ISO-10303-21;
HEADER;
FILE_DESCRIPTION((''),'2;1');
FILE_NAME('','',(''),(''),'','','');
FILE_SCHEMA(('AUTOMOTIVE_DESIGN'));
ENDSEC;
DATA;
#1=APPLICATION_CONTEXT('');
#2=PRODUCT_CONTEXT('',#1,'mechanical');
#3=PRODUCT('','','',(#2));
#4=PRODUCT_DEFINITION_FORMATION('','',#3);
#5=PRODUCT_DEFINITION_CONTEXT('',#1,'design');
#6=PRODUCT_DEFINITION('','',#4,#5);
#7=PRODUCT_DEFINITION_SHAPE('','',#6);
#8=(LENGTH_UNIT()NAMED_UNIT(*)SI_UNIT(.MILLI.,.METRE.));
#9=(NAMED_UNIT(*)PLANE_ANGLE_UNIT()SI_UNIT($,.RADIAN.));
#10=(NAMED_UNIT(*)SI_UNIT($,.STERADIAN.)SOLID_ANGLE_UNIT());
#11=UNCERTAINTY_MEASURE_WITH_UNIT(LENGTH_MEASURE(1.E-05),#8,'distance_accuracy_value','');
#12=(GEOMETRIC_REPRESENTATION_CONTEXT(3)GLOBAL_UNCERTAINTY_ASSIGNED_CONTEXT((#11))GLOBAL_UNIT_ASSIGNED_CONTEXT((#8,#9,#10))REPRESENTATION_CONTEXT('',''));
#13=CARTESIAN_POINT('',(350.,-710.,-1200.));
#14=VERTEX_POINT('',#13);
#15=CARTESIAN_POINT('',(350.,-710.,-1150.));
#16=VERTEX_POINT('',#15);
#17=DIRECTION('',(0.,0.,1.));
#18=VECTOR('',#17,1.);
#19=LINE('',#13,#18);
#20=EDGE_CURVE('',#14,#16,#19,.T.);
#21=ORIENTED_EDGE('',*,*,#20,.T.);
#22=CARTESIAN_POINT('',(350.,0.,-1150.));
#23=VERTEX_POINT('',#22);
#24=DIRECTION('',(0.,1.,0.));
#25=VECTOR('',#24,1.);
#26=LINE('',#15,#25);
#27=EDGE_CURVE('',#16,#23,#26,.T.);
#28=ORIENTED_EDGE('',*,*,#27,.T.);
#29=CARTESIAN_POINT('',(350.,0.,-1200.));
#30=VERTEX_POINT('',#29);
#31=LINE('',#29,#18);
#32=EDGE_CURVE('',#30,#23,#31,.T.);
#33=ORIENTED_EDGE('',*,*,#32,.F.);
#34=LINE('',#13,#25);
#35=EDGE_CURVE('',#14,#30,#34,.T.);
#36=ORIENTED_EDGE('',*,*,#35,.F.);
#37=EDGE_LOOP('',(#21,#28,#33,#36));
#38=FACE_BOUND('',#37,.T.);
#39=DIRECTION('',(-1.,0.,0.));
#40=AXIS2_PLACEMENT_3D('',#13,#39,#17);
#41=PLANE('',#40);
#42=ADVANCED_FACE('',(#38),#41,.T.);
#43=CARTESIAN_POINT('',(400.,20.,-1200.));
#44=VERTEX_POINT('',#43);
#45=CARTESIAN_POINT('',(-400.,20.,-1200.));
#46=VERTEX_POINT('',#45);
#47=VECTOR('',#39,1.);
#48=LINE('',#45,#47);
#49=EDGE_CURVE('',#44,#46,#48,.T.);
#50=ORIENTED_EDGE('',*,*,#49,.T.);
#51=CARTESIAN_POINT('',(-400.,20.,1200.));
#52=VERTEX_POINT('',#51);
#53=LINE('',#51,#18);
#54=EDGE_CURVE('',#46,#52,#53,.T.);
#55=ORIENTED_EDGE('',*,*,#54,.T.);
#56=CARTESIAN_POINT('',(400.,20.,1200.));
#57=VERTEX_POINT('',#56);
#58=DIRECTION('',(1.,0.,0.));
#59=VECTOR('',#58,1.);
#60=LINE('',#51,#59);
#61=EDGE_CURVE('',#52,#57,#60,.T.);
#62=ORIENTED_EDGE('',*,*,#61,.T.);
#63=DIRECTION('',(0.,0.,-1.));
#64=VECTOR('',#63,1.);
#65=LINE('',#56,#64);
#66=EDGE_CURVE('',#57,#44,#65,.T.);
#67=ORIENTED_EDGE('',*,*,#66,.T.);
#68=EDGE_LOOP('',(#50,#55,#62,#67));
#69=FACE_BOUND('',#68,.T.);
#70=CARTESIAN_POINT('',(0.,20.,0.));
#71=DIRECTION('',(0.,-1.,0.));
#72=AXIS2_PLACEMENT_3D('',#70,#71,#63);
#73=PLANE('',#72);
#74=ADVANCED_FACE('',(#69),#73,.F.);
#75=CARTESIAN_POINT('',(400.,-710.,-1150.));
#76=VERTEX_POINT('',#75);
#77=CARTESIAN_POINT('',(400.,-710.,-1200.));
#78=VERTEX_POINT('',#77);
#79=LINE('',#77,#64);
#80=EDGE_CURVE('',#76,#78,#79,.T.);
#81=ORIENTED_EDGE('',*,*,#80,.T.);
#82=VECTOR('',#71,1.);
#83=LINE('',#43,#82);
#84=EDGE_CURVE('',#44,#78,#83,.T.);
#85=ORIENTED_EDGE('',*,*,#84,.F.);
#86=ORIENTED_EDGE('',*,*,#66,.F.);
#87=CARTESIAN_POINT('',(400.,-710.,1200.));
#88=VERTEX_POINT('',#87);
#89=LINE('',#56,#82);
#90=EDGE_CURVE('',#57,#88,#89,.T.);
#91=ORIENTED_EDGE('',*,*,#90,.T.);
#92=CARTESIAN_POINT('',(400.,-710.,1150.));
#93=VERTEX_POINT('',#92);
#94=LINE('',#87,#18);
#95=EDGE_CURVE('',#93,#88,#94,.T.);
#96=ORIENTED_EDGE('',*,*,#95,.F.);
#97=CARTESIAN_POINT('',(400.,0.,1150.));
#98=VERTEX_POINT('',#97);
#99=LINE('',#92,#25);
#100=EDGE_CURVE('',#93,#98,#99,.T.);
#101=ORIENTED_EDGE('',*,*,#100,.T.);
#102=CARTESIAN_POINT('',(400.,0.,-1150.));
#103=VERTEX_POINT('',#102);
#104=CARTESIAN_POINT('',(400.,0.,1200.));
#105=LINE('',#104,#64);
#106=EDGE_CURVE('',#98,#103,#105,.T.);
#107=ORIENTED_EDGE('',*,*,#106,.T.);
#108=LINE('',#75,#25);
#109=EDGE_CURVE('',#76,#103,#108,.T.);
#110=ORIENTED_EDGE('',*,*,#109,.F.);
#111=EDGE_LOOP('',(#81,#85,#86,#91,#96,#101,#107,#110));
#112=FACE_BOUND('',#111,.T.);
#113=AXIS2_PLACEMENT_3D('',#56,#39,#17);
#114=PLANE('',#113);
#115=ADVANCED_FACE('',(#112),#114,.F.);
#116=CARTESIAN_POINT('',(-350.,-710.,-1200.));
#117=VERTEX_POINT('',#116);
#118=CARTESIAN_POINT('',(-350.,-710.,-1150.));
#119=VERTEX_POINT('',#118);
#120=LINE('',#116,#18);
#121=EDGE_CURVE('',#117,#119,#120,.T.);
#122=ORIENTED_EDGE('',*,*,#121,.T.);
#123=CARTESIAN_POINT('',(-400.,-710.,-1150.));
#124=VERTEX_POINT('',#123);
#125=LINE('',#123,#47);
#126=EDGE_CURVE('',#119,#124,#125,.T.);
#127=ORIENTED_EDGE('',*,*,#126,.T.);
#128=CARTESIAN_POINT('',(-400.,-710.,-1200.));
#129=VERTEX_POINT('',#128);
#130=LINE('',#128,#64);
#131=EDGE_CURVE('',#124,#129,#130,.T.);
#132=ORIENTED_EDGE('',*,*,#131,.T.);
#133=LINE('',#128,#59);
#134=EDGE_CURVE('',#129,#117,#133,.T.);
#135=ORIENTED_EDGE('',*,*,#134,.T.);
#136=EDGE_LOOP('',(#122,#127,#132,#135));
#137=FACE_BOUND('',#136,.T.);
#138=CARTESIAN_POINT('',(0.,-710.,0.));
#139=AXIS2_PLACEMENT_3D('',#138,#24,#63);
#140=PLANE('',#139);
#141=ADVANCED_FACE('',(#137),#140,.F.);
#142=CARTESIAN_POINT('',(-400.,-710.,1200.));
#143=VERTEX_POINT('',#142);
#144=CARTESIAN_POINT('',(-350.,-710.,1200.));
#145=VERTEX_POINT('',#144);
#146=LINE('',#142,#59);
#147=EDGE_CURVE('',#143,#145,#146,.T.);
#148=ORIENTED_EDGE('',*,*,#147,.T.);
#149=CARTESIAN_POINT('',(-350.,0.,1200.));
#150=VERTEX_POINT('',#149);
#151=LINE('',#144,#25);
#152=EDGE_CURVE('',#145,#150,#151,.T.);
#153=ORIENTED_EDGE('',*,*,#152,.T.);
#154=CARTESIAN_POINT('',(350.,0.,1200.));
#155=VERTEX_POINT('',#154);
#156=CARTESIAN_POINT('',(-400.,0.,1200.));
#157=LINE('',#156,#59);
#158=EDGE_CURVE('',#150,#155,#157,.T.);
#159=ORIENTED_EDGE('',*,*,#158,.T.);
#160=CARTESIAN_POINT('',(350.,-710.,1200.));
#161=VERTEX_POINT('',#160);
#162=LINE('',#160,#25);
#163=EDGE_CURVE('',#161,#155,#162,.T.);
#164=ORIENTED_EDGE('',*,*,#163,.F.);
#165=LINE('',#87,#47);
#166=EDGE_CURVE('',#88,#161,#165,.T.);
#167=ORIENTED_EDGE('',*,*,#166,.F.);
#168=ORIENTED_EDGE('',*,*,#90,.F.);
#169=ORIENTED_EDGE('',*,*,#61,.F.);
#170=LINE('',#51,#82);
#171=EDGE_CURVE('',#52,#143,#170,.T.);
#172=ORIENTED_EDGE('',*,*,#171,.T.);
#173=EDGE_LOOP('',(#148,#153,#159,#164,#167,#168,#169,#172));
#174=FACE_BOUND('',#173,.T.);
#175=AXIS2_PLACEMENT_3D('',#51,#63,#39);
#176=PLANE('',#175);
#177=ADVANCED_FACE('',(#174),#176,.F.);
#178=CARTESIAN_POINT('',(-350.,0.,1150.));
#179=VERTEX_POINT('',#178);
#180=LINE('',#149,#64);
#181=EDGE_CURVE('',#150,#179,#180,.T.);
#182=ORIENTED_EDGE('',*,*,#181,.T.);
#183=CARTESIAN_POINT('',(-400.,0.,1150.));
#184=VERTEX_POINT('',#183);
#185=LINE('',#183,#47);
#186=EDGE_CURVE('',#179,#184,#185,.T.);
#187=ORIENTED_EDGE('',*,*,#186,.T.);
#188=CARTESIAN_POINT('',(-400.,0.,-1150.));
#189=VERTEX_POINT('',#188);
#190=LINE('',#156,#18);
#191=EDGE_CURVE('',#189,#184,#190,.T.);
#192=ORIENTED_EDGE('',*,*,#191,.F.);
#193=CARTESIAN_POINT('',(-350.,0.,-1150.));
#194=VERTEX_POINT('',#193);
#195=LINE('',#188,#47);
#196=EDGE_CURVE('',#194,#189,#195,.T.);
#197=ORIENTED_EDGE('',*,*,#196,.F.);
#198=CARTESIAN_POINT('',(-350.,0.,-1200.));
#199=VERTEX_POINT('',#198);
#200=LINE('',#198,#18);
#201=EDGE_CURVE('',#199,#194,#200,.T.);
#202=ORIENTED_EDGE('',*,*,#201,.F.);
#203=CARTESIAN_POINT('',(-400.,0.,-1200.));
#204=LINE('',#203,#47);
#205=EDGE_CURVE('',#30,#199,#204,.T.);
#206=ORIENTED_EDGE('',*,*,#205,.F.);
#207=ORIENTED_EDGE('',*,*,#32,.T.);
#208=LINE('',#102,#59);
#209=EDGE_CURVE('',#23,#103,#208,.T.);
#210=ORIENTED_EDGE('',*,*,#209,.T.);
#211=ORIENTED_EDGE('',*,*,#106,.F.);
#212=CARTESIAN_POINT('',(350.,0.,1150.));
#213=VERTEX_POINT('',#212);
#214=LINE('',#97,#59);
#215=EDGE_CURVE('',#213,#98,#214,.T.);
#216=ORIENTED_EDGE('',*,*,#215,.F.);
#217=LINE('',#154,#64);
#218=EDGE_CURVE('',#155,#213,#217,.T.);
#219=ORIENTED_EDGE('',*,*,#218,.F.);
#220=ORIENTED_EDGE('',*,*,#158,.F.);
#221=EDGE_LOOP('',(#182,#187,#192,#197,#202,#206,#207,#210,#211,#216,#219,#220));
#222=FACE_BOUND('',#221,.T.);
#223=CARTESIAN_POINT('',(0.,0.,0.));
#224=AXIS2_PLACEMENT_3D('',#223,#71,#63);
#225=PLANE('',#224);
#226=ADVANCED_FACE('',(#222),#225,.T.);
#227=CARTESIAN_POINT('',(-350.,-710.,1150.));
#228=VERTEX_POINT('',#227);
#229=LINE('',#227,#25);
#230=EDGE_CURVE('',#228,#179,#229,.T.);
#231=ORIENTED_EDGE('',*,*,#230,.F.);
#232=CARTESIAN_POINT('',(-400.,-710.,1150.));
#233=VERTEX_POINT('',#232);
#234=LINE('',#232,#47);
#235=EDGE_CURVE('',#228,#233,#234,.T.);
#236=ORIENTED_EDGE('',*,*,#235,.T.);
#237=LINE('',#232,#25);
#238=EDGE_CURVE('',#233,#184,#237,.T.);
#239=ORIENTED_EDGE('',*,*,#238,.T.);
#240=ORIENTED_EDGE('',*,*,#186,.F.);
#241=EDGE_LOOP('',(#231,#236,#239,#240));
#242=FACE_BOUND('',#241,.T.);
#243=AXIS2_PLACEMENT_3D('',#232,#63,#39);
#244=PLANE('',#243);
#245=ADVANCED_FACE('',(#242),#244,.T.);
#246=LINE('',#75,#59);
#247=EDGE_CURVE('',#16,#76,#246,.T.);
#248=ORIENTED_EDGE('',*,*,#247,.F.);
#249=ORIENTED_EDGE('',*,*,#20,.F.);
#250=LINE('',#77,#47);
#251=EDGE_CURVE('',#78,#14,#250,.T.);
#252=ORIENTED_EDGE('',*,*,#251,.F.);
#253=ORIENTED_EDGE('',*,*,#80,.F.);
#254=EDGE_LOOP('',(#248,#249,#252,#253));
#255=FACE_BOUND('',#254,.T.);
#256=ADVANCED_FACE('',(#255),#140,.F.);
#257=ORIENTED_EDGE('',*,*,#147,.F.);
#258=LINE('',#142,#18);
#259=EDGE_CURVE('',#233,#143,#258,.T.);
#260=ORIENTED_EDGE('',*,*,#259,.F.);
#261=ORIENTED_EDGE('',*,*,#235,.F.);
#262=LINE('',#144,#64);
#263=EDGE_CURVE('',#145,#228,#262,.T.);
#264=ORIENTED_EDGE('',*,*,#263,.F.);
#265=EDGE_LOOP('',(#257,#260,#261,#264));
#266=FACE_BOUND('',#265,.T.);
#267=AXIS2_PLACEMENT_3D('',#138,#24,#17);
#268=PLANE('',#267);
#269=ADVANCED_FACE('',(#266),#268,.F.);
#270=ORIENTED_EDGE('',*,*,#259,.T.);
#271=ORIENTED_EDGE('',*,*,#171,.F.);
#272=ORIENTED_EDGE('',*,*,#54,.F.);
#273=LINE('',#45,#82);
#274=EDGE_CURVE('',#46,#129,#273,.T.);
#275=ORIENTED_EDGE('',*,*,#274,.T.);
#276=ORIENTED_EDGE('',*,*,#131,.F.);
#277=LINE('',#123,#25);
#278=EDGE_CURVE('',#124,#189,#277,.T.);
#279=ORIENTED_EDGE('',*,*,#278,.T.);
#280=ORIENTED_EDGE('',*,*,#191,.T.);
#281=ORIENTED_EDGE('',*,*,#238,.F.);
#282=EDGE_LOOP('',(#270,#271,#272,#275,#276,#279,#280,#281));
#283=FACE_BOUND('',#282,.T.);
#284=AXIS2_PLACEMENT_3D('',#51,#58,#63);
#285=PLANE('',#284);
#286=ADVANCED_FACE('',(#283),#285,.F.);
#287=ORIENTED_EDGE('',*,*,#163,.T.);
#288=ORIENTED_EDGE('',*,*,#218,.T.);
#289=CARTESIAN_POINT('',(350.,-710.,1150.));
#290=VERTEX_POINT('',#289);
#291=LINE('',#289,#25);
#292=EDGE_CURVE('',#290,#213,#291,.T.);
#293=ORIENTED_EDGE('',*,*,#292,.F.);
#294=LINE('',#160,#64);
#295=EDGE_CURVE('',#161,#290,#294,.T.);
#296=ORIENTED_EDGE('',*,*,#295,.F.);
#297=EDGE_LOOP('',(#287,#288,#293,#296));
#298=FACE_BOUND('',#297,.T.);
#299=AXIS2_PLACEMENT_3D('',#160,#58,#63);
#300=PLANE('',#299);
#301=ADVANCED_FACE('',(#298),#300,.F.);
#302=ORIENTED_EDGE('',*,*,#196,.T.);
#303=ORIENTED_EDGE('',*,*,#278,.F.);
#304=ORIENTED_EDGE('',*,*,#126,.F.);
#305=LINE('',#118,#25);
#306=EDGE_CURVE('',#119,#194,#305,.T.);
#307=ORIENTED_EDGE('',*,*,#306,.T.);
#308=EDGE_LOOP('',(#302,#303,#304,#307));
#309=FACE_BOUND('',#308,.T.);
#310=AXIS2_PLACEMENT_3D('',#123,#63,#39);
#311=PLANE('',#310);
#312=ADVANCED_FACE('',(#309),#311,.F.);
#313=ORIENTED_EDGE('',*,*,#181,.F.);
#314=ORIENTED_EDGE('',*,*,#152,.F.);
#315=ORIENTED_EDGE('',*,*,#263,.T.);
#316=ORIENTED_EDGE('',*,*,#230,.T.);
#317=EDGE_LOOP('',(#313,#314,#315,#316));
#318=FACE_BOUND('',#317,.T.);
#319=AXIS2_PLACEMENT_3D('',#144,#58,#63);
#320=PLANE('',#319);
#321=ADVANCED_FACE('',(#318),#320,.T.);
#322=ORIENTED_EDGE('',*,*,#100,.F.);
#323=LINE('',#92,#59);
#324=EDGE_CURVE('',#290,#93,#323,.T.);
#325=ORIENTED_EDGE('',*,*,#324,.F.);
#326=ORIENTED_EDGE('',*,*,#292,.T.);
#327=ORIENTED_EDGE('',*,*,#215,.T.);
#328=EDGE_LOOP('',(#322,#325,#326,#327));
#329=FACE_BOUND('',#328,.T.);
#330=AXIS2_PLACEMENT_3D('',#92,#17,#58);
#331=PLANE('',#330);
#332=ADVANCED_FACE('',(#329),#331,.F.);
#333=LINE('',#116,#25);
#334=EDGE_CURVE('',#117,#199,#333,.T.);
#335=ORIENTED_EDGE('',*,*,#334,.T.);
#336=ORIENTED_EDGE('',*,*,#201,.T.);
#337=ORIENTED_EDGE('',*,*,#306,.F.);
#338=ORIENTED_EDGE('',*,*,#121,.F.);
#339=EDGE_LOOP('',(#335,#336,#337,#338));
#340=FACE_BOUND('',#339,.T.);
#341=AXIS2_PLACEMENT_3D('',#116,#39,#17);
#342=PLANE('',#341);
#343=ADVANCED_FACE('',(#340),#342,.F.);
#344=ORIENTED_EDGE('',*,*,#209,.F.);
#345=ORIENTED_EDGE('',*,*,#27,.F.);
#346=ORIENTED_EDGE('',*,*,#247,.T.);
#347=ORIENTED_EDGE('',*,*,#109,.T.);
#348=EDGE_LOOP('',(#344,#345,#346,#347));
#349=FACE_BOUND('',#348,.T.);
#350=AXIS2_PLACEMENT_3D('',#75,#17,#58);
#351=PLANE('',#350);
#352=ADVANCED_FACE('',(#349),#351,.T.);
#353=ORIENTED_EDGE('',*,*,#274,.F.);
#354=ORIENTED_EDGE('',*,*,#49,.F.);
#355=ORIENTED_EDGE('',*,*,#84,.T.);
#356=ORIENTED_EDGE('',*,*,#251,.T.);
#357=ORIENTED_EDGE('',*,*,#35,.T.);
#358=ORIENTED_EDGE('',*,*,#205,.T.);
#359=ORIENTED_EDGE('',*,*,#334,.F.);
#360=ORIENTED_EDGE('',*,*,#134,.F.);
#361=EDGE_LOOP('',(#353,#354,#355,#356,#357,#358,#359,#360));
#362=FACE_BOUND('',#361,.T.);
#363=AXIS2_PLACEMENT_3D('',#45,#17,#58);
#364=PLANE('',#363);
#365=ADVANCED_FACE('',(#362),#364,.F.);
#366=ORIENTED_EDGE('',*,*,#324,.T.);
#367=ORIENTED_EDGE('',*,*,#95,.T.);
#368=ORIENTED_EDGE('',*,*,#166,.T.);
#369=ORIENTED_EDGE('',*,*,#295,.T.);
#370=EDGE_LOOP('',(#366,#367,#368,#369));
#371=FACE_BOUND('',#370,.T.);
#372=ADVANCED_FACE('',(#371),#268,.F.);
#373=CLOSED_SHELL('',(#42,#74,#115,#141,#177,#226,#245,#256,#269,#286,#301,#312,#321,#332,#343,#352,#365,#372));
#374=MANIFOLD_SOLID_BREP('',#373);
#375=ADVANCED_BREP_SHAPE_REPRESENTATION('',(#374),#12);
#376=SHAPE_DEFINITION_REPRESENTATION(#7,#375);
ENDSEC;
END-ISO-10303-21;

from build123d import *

# Parameters (mm, degrees)
SKETCH_1_W               = 800
SKETCH_1_H               = 2400
EXTRUDE_1_DEPTH          = 20
SKETCH_2_W               = 50
SKETCH_2_H               = 50
EXTRUDE_2_DEPTH          = 710
MIRROR_2_COPY_1_SKETCH_W = 50
MIRROR_2_COPY_1_SKETCH_H = 50
MIRROR_2_COPY_1_DEPTH    = 710


with BuildPart() as part:
    # 草图1 → 凸台-拉伸1 (new body)
    with BuildSketch(Plane(origin=(0, 0, 0), x_dir=(1, 0, 0), z_dir=(0, 1, 0))):
        Rectangle(SKETCH_1_W, SKETCH_1_H)
    extrude(amount=EXTRUDE_1_DEPTH)

    # 草图2 → 凸台-拉伸2 (add)
    with BuildSketch(Plane(origin=(0, 0, 0), x_dir=(-1, 0, 0), z_dir=(0, -1, 0))):
        with Locations((-375, -1175)):
            Rectangle(SKETCH_2_W, SKETCH_2_H)
    extrude_2 = extrude(amount=EXTRUDE_2_DEPTH)

    # 镜向1: 凸台-拉伸2 across plane
    add(extrude_2.mirror(Plane.XY))

    # 镜向2: 凸台-拉伸2 across plane
    add(extrude_2.mirror(Plane(origin=(0, 0, 0), x_dir=(0, 0, 1), z_dir=(1, 0, 0))))

    # 镜向2 copy 1 sketch → 镜向2 copy 1 (add)
    with BuildSketch(Plane.XZ):
        with Locations((-375, -1175)):
            Rectangle(MIRROR_2_COPY_1_SKETCH_W, MIRROR_2_COPY_1_SKETCH_H)
    extrude(amount=MIRROR_2_COPY_1_DEPTH)


solid = part.part
